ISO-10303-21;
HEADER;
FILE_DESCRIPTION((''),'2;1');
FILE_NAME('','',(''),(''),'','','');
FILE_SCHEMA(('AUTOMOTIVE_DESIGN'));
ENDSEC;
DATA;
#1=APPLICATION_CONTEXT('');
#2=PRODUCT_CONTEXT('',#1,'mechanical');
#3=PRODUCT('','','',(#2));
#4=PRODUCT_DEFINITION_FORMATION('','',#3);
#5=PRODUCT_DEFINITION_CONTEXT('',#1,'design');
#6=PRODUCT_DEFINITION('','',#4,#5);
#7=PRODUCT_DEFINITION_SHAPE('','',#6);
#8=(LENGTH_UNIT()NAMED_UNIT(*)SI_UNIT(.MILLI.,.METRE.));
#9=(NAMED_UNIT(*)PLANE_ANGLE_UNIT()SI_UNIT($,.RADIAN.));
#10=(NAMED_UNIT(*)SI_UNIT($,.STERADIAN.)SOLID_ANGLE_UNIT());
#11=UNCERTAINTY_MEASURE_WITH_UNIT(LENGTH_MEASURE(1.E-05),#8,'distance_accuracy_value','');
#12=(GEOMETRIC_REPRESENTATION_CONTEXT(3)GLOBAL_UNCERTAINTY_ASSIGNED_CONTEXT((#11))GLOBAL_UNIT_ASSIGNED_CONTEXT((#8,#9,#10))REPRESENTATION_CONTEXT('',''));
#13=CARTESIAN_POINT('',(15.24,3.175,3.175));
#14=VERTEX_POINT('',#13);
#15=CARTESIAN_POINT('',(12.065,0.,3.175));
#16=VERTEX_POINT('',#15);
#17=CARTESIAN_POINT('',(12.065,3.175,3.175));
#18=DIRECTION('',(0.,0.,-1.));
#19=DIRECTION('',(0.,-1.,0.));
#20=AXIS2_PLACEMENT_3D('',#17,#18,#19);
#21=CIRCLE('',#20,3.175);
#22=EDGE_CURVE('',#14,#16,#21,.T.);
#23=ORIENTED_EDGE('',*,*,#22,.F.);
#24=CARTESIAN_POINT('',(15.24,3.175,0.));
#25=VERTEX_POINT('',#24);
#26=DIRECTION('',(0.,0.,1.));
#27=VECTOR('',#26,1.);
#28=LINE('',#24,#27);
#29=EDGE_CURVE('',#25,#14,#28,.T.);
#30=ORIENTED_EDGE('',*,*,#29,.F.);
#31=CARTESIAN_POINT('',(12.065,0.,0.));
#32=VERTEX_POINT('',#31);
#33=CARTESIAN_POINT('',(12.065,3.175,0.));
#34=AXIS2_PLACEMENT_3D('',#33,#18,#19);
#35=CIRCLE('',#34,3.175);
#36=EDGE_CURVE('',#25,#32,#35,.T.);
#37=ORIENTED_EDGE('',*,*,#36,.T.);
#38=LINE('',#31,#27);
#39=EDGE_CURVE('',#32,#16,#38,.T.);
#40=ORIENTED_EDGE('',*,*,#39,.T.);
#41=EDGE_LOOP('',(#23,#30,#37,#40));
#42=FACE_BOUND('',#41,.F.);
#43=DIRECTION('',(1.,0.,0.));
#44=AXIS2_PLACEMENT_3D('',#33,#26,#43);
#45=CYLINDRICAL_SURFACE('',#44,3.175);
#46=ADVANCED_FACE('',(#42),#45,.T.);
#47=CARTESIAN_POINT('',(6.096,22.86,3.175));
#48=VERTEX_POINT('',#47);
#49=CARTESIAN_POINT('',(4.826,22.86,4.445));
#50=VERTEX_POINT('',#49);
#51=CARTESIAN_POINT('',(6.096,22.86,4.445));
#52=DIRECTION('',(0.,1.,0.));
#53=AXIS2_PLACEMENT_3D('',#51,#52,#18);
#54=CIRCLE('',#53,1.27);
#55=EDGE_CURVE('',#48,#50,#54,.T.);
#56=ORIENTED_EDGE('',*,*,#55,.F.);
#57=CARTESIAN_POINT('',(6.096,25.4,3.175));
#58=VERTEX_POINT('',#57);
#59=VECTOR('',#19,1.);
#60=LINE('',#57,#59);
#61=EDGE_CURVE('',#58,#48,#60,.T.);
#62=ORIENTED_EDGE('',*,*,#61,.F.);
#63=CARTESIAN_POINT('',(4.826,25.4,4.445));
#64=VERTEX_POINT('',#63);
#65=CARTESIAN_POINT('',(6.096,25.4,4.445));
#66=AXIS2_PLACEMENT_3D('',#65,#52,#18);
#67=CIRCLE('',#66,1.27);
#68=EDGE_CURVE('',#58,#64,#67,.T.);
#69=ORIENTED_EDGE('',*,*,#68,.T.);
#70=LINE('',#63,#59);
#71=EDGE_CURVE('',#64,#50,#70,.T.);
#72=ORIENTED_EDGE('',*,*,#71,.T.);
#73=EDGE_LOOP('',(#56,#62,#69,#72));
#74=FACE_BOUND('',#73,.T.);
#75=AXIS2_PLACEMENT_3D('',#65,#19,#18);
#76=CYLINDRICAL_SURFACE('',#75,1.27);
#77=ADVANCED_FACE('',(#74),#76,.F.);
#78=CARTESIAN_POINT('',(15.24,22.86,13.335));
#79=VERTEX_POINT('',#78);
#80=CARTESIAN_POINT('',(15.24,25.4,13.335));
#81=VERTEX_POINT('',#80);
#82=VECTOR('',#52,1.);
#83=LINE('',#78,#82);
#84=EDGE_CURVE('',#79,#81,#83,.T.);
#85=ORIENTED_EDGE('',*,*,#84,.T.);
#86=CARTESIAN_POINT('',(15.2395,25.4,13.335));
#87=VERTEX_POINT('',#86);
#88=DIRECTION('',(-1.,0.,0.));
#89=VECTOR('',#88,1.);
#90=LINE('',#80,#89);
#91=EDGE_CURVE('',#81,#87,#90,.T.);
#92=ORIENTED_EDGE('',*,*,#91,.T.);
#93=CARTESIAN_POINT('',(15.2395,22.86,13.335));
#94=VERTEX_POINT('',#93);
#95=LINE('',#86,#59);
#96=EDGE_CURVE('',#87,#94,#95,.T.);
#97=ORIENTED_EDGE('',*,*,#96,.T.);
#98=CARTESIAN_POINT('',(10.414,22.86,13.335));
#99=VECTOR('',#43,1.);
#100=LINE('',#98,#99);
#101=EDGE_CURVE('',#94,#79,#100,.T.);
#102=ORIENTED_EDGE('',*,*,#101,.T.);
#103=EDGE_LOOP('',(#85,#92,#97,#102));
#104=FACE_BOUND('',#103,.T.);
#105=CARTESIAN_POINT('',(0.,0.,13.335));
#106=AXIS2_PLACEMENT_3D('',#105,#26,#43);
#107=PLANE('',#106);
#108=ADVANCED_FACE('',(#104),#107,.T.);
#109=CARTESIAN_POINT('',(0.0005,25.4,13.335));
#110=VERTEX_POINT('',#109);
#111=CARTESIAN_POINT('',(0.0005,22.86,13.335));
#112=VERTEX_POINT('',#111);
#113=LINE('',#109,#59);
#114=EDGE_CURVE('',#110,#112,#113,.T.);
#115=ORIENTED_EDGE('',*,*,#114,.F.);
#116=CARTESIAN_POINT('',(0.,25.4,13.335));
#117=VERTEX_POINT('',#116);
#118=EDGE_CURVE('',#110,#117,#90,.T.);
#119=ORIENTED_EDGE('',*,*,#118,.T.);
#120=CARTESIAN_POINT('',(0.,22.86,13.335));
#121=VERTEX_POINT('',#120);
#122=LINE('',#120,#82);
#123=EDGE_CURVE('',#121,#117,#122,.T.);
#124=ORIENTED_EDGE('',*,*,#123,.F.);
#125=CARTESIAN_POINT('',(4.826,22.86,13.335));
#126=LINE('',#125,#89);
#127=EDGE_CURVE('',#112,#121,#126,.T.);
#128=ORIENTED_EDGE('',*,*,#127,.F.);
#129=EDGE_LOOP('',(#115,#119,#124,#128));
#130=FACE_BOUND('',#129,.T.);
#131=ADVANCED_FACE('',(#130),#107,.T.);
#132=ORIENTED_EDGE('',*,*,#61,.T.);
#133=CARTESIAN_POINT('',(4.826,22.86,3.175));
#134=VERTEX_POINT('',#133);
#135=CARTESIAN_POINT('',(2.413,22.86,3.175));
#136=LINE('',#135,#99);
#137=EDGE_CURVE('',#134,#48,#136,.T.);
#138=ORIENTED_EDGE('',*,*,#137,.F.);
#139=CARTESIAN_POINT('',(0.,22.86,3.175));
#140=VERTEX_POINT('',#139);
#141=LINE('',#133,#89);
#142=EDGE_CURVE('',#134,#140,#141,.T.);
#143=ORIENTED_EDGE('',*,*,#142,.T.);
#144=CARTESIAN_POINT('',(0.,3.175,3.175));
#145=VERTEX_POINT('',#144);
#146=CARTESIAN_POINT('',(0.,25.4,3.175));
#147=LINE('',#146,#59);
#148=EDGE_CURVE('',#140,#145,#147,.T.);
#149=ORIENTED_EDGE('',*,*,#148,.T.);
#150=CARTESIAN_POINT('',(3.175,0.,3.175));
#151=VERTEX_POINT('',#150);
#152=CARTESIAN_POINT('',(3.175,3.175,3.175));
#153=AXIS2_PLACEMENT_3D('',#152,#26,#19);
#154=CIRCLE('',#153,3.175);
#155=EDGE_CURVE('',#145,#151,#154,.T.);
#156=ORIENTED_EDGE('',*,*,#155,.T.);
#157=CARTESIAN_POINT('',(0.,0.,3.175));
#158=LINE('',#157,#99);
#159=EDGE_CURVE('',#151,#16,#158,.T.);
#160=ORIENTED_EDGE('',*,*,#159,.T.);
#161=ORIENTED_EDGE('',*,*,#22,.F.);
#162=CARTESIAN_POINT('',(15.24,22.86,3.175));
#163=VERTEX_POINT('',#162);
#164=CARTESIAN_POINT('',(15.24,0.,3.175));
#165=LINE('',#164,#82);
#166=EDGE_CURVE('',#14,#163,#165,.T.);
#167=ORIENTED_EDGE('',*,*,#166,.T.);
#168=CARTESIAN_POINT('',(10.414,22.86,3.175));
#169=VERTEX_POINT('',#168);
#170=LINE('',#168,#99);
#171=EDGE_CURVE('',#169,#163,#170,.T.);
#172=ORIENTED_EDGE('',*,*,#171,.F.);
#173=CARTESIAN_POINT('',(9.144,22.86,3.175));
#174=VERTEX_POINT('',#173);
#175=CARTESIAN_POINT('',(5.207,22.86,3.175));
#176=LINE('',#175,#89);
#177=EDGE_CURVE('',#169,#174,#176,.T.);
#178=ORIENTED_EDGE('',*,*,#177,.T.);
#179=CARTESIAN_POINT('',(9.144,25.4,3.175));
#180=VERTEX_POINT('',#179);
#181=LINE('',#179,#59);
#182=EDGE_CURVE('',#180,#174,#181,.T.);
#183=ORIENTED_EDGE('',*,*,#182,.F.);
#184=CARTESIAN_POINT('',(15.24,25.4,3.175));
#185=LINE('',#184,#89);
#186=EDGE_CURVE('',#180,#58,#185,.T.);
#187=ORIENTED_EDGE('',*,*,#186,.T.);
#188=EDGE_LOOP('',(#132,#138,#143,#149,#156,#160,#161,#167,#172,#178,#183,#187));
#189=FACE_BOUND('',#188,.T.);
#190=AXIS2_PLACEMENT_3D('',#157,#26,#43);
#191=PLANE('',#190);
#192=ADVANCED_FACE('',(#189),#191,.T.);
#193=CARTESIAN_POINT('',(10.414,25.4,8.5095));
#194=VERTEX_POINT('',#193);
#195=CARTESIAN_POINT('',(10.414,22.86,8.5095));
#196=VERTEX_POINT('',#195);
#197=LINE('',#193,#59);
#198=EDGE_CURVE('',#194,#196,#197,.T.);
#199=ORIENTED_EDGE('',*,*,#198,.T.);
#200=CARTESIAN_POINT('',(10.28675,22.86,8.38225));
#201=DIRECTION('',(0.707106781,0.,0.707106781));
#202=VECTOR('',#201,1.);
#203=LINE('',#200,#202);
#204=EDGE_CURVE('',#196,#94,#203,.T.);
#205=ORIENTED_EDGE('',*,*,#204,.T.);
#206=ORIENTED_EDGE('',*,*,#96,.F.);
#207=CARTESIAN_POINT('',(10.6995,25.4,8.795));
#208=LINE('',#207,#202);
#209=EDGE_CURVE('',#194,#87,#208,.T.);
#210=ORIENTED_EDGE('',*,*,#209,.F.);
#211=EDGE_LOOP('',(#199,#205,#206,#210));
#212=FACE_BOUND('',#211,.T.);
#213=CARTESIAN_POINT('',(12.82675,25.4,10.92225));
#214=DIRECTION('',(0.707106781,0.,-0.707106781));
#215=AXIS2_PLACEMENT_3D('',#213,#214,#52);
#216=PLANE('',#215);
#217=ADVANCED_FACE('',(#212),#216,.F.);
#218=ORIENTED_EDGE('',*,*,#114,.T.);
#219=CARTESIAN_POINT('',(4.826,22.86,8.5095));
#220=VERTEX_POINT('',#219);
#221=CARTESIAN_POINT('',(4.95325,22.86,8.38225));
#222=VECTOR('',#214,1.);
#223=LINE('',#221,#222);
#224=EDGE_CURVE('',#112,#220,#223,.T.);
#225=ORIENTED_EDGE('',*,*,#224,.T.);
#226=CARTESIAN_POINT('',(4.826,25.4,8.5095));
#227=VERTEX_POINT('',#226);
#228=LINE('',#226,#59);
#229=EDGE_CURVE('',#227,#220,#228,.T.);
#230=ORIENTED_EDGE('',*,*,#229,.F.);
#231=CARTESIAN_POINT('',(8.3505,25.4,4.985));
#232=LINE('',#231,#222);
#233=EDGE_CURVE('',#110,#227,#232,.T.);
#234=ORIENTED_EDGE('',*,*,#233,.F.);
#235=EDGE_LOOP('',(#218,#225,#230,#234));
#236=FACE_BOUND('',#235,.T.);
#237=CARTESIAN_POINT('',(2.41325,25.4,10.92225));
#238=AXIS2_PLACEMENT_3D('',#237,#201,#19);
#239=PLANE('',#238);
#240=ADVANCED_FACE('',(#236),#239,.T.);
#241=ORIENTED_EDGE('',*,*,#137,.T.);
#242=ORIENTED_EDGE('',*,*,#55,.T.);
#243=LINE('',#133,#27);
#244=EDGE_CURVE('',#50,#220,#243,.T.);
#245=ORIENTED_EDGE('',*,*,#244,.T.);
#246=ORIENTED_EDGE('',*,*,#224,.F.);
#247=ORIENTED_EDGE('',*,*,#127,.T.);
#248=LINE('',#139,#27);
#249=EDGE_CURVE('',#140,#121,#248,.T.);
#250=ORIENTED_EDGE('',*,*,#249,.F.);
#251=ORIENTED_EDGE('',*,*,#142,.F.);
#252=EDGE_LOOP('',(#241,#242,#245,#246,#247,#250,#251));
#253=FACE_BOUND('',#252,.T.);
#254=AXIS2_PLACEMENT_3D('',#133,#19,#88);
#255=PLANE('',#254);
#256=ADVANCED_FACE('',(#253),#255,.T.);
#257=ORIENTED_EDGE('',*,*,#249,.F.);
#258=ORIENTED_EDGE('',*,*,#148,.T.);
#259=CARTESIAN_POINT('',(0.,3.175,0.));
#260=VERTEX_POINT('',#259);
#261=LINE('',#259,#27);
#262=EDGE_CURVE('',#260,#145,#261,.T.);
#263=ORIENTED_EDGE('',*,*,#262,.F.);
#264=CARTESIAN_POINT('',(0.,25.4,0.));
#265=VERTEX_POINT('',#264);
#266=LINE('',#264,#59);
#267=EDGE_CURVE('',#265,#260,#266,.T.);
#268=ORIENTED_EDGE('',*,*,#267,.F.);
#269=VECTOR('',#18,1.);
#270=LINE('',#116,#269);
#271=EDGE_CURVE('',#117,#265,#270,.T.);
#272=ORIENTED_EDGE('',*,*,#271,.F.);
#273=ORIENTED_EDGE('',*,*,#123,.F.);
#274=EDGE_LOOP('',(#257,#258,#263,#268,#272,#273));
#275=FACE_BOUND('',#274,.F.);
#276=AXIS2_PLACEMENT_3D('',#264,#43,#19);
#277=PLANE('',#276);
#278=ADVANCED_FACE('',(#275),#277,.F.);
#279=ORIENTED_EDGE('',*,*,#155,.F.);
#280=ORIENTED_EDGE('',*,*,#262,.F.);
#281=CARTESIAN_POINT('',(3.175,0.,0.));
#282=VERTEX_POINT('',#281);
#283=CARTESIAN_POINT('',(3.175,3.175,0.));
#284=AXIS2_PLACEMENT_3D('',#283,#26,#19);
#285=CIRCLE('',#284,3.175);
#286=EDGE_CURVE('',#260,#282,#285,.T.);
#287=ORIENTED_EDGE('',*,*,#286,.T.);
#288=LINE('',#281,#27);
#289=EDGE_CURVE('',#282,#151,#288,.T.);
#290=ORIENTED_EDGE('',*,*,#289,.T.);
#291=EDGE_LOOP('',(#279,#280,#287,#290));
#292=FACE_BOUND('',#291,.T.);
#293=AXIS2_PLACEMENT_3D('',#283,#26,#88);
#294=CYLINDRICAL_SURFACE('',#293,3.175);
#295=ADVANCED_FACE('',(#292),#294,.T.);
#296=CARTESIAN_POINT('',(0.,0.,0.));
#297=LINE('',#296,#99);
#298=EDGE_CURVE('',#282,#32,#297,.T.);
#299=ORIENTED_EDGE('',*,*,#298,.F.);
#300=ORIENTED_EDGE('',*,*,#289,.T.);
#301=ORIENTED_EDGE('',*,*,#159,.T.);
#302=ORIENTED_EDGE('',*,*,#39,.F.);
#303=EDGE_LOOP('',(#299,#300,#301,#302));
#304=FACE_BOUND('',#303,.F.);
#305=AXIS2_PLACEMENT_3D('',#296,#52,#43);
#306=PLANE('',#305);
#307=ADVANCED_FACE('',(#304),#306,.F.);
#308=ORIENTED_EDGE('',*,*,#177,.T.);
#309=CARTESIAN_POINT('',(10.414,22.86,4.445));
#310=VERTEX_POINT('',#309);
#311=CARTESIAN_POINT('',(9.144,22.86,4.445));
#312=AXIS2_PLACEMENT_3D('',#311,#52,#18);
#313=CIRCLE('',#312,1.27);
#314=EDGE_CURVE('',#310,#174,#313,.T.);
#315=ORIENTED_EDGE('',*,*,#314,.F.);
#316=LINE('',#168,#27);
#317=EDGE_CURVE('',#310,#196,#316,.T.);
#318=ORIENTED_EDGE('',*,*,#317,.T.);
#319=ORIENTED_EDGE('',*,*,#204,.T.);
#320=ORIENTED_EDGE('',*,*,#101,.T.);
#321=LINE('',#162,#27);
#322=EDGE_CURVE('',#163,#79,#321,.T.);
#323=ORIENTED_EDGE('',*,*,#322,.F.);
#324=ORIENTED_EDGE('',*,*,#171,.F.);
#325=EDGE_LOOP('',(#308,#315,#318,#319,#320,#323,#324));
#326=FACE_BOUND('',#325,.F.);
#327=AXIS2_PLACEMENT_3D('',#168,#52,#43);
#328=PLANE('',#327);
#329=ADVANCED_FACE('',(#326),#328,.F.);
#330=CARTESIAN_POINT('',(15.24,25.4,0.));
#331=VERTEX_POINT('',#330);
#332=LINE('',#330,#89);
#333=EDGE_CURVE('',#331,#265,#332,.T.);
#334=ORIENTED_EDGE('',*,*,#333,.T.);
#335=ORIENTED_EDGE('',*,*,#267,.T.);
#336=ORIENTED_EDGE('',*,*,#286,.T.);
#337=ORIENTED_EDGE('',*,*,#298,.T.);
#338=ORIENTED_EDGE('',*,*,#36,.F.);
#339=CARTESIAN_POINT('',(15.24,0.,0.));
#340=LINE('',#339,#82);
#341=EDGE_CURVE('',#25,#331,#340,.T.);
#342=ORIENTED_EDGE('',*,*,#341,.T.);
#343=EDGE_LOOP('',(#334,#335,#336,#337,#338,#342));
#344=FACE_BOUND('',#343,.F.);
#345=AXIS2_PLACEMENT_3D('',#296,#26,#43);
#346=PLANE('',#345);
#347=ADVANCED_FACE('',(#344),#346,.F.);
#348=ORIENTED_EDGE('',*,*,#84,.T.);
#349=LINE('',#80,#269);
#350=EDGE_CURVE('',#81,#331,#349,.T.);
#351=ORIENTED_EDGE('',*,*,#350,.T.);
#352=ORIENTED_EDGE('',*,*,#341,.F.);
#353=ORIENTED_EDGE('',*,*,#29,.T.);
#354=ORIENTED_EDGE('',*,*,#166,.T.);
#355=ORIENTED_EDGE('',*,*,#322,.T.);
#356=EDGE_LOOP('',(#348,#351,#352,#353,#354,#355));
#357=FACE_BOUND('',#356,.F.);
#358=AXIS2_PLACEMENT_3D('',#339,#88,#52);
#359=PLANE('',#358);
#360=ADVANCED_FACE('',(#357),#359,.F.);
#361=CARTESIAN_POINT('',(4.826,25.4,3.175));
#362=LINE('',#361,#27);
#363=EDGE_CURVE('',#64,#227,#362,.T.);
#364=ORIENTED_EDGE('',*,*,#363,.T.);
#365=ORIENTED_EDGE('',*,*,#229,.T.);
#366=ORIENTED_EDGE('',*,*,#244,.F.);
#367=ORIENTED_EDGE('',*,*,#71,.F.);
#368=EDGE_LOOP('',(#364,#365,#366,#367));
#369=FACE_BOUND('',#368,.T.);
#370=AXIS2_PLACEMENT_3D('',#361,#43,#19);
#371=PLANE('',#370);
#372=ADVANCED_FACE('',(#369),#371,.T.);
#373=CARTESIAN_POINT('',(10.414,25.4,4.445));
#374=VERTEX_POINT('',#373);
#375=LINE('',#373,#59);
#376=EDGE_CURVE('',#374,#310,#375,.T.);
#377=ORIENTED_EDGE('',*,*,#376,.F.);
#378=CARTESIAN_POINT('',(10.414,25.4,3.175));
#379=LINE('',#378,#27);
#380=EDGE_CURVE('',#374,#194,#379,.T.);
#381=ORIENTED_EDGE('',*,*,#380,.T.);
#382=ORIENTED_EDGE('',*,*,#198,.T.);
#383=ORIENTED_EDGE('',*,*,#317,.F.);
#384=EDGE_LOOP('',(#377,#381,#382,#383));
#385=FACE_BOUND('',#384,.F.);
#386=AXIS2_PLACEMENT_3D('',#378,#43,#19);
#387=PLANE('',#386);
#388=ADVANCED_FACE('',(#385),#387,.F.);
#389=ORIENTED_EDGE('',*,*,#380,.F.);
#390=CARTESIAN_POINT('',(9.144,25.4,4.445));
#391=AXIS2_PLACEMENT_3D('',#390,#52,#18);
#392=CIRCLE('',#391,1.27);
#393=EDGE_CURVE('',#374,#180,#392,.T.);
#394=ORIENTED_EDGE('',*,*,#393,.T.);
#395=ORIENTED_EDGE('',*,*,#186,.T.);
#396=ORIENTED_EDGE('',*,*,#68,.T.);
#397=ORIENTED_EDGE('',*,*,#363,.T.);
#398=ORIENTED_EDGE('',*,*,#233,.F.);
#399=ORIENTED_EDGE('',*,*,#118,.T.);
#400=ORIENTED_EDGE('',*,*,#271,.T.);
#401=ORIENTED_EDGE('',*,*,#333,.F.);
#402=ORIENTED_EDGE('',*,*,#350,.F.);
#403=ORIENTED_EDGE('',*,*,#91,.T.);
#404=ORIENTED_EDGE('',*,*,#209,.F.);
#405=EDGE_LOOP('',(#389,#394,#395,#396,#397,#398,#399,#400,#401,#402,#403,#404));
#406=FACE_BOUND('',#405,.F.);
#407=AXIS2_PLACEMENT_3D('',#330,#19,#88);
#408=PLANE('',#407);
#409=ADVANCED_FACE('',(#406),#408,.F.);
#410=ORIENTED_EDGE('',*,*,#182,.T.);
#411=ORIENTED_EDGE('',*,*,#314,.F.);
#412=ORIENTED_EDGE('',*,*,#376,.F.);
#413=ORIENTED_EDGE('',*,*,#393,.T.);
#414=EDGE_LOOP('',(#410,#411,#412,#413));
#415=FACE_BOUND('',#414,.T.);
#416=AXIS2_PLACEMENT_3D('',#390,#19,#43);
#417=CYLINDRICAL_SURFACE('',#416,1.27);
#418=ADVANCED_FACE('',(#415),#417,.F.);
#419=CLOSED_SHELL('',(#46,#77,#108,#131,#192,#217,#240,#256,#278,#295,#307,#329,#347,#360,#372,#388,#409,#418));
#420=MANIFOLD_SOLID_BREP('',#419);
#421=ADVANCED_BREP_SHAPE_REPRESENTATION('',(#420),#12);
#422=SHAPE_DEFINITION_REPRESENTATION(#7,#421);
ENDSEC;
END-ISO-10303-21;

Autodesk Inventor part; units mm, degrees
ref_plane "YZ Plane" through (0, 0, 0) normal (1, 0, 0) x (0, 1, 0)
ref_plane "XZ Plane" through (0, 0, 0) normal (0, 1, 0) x (-1, 0, 0)
ref_plane "XY Plane" through (0, 0, 0) normal (0, 0, 1) x (1, 0, 0)
sketch "Sketch1" plane through (0, 0, 0) normal (0, 0, 1) x (1, 0, 0)
  line L0 (0, 0) -> (15.24, 0)
  line L1 (15.24, 0) -> (15.24, 25.4)
  line L2 (15.24, 25.4) -> (0, 25.4)
  line L3 (0, 25.4) -> (0, 0)
  dimension "d0" = 15.24
  dimension "d1" = 25.4
extrude "Extrusion1" add sketch "Sketch1" along normal blind 3.175
sketch "Sketch2" plane through (0, 0, 3.175) normal (0, 0, 1) x (1, 0, 0)
  line L0 (15.24, 25.4) -> (0, 25.4) projected
  line L1 (0, 25.4) -> (4.826, 25.4)
  line L2 (4.826, 25.4) -> (4.826, 22.86)
  line L3 (4.826, 22.86) -> (0, 22.86)
  line L4 (0, 22.86) -> (0, 25.4)
  line L5 (15.24, 25.4) -> (0, 25.4) projected
  line L6 (15.24, 25.4) -> (10.414, 25.4)
  line L7 (10.414, 25.4) -> (10.414, 22.86)
  line L8 (10.414, 22.86) -> (15.24, 22.86)
  line L9 (15.24, 22.86) -> (15.24, 25.4)
  point P0 (0, 0)
  dimension "d4" = 4.826
  dimension "d5" = 2.54
  dimension "d6" = 4.826
extrude "Extrusion2" add sketch "Sketch2" along normal blind 10.16
chamfer "Chamfer1" distance 4.826 angle 45 2 edges at (4.826, 24.13, 13.335) (10.414, 24.13, 13.335)
fillet "Fillet1" radius 1.27 2 edges at (4.826, 24.13, 3.175) (10.414, 24.13, 3.175)
fillet "Fillet2" radius 3.175 2 edges at (15.24, 0, 1.5875) (0, 0, 1.5875)
properties part number "Cable managment."
